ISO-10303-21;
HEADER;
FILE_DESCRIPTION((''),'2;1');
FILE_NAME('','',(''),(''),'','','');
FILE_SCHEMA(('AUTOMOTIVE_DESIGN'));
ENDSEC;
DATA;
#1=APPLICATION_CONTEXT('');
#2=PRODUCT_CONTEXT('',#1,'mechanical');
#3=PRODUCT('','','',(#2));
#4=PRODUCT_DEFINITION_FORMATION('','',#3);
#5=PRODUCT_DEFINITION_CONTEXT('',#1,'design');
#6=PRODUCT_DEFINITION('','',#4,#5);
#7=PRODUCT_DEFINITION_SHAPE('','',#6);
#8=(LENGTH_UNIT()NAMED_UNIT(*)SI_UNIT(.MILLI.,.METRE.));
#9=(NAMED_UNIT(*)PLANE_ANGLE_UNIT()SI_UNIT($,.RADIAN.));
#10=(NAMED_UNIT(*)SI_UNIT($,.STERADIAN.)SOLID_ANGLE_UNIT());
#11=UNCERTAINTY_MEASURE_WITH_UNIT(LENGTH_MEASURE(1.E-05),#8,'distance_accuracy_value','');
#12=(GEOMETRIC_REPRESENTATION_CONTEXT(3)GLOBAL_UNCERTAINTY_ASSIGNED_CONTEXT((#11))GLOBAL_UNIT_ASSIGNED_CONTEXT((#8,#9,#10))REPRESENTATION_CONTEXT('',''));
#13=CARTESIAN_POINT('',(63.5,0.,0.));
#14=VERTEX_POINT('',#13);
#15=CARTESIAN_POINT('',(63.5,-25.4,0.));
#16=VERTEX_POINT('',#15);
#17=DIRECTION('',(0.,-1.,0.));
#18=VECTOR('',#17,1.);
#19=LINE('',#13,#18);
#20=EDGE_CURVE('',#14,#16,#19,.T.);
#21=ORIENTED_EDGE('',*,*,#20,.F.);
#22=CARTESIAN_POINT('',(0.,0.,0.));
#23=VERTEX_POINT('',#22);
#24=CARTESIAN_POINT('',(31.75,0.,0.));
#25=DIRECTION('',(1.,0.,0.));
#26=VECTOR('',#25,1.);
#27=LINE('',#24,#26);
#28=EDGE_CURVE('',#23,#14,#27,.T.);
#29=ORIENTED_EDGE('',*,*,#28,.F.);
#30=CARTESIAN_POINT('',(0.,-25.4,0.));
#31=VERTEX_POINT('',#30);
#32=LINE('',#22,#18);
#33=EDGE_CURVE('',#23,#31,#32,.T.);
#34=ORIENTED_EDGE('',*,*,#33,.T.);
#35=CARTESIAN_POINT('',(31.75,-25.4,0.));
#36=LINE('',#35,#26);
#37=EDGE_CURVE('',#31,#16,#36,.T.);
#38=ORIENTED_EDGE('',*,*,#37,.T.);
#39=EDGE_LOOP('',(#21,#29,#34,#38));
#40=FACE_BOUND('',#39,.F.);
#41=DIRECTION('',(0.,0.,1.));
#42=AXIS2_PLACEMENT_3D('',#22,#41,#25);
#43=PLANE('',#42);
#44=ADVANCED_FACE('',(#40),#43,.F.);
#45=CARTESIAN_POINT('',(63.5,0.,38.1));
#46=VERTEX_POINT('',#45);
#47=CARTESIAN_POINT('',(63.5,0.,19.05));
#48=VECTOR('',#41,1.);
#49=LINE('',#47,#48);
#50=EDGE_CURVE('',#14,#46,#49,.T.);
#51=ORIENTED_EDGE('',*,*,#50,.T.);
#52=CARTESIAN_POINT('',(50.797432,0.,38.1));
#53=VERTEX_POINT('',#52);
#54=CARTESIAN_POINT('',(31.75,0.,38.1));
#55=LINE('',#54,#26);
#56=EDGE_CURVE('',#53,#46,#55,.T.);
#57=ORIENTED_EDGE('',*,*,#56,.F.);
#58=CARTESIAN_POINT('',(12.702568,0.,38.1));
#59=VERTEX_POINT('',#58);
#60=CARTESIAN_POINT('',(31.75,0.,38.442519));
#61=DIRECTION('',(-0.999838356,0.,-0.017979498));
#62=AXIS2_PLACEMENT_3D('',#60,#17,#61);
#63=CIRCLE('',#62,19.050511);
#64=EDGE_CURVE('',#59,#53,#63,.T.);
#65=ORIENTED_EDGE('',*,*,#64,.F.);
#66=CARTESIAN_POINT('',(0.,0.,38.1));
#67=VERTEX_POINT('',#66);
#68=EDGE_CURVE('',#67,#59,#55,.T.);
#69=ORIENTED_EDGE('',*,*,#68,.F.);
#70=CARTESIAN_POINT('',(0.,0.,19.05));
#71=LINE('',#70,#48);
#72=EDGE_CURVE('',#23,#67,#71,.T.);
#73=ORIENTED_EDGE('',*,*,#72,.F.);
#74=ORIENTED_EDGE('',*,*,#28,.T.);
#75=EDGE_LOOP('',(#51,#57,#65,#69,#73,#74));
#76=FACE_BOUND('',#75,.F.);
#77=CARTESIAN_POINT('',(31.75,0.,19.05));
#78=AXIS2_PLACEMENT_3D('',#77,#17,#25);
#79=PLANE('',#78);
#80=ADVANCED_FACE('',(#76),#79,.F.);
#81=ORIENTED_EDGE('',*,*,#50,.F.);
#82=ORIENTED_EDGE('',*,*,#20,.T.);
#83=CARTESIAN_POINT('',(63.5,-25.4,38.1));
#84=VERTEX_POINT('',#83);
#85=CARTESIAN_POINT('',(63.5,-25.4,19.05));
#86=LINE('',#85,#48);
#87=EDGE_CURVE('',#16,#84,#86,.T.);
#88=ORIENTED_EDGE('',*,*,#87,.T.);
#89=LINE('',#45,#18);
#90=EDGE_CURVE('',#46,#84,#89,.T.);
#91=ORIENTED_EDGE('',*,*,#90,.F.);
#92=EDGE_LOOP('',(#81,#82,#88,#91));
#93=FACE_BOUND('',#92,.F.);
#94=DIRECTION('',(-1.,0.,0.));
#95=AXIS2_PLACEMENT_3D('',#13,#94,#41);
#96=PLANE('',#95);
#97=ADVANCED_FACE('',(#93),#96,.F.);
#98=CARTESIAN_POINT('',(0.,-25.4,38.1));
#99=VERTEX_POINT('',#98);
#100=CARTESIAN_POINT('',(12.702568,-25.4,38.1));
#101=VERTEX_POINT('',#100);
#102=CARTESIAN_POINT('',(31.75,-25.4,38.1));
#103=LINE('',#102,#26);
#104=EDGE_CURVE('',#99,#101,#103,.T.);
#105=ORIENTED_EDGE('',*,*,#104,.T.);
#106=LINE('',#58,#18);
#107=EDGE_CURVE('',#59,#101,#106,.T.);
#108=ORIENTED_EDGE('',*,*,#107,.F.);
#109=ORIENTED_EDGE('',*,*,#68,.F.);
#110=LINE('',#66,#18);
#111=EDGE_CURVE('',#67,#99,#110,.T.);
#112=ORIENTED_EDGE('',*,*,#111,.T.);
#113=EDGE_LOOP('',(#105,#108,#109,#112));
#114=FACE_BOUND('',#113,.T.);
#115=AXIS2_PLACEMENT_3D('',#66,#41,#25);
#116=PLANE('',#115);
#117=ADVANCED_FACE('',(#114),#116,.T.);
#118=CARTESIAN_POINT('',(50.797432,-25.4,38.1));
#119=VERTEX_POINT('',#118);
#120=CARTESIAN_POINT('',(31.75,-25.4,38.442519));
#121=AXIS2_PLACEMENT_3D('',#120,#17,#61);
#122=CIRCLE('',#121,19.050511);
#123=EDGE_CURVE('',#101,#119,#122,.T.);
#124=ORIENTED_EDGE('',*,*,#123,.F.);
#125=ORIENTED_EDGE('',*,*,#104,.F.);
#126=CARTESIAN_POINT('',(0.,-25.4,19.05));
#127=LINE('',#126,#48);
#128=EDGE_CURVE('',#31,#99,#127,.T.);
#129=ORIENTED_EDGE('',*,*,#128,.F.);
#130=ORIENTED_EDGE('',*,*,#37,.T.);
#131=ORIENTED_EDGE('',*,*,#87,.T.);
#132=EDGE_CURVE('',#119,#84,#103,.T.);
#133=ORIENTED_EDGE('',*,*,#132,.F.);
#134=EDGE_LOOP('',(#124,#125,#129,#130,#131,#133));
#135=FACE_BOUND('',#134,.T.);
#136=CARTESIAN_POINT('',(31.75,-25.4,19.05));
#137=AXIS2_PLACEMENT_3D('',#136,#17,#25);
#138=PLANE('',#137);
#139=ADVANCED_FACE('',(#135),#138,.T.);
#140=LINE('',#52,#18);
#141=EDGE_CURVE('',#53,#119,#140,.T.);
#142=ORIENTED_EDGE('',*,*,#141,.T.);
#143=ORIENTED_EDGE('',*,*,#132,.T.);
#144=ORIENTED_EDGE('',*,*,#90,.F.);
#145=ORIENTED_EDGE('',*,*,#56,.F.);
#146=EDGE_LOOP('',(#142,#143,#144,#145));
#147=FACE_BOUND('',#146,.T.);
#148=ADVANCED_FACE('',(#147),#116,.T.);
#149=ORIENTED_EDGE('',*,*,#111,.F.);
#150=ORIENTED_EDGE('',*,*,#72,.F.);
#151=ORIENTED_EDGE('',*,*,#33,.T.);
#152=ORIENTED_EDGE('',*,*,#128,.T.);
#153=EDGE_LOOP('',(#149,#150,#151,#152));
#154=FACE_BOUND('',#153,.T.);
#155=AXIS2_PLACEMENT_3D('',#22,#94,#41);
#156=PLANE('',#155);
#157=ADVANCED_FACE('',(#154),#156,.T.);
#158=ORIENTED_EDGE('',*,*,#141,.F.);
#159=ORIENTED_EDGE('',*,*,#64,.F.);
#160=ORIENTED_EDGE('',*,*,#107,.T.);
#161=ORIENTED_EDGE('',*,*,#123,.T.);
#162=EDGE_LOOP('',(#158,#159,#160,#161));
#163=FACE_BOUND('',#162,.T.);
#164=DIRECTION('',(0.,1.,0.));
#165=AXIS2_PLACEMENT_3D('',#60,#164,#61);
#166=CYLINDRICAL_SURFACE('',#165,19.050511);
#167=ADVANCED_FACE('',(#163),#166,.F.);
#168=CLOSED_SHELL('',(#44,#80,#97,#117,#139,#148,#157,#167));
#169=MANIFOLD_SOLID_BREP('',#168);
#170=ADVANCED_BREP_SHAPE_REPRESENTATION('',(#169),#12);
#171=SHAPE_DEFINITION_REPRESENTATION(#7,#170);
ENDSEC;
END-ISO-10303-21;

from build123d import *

# Parameters (mm, degrees)
F0_W     = 63.5
F0_H     = 38.1
F2_DEPTH = 25.4
F3_DEPTH = 25.4


with BuildPart() as f2:
    # F0 (on Front) → F2 (new body)
    with BuildSketch(Plane.XZ):
        with Locations((31.75, 19.05)):
            Rectangle(F0_W, F0_H)
    extrude(amount=F2_DEPTH)

    # F1 (on face) → F3 (cut)
    with BuildSketch(Plane.XZ):
        with BuildLine():
            Line((50.7974317948, 38.1), (12.7025682052, 38.1))
            ThreePointArc((12.7025682052, 38.1), (31.75, 19.3920074346), (50.7974317948, 38.1))
        make_face()
    extrude(amount=F3_DEPTH, mode=Mode.SUBTRACT)


solid = f2.part
